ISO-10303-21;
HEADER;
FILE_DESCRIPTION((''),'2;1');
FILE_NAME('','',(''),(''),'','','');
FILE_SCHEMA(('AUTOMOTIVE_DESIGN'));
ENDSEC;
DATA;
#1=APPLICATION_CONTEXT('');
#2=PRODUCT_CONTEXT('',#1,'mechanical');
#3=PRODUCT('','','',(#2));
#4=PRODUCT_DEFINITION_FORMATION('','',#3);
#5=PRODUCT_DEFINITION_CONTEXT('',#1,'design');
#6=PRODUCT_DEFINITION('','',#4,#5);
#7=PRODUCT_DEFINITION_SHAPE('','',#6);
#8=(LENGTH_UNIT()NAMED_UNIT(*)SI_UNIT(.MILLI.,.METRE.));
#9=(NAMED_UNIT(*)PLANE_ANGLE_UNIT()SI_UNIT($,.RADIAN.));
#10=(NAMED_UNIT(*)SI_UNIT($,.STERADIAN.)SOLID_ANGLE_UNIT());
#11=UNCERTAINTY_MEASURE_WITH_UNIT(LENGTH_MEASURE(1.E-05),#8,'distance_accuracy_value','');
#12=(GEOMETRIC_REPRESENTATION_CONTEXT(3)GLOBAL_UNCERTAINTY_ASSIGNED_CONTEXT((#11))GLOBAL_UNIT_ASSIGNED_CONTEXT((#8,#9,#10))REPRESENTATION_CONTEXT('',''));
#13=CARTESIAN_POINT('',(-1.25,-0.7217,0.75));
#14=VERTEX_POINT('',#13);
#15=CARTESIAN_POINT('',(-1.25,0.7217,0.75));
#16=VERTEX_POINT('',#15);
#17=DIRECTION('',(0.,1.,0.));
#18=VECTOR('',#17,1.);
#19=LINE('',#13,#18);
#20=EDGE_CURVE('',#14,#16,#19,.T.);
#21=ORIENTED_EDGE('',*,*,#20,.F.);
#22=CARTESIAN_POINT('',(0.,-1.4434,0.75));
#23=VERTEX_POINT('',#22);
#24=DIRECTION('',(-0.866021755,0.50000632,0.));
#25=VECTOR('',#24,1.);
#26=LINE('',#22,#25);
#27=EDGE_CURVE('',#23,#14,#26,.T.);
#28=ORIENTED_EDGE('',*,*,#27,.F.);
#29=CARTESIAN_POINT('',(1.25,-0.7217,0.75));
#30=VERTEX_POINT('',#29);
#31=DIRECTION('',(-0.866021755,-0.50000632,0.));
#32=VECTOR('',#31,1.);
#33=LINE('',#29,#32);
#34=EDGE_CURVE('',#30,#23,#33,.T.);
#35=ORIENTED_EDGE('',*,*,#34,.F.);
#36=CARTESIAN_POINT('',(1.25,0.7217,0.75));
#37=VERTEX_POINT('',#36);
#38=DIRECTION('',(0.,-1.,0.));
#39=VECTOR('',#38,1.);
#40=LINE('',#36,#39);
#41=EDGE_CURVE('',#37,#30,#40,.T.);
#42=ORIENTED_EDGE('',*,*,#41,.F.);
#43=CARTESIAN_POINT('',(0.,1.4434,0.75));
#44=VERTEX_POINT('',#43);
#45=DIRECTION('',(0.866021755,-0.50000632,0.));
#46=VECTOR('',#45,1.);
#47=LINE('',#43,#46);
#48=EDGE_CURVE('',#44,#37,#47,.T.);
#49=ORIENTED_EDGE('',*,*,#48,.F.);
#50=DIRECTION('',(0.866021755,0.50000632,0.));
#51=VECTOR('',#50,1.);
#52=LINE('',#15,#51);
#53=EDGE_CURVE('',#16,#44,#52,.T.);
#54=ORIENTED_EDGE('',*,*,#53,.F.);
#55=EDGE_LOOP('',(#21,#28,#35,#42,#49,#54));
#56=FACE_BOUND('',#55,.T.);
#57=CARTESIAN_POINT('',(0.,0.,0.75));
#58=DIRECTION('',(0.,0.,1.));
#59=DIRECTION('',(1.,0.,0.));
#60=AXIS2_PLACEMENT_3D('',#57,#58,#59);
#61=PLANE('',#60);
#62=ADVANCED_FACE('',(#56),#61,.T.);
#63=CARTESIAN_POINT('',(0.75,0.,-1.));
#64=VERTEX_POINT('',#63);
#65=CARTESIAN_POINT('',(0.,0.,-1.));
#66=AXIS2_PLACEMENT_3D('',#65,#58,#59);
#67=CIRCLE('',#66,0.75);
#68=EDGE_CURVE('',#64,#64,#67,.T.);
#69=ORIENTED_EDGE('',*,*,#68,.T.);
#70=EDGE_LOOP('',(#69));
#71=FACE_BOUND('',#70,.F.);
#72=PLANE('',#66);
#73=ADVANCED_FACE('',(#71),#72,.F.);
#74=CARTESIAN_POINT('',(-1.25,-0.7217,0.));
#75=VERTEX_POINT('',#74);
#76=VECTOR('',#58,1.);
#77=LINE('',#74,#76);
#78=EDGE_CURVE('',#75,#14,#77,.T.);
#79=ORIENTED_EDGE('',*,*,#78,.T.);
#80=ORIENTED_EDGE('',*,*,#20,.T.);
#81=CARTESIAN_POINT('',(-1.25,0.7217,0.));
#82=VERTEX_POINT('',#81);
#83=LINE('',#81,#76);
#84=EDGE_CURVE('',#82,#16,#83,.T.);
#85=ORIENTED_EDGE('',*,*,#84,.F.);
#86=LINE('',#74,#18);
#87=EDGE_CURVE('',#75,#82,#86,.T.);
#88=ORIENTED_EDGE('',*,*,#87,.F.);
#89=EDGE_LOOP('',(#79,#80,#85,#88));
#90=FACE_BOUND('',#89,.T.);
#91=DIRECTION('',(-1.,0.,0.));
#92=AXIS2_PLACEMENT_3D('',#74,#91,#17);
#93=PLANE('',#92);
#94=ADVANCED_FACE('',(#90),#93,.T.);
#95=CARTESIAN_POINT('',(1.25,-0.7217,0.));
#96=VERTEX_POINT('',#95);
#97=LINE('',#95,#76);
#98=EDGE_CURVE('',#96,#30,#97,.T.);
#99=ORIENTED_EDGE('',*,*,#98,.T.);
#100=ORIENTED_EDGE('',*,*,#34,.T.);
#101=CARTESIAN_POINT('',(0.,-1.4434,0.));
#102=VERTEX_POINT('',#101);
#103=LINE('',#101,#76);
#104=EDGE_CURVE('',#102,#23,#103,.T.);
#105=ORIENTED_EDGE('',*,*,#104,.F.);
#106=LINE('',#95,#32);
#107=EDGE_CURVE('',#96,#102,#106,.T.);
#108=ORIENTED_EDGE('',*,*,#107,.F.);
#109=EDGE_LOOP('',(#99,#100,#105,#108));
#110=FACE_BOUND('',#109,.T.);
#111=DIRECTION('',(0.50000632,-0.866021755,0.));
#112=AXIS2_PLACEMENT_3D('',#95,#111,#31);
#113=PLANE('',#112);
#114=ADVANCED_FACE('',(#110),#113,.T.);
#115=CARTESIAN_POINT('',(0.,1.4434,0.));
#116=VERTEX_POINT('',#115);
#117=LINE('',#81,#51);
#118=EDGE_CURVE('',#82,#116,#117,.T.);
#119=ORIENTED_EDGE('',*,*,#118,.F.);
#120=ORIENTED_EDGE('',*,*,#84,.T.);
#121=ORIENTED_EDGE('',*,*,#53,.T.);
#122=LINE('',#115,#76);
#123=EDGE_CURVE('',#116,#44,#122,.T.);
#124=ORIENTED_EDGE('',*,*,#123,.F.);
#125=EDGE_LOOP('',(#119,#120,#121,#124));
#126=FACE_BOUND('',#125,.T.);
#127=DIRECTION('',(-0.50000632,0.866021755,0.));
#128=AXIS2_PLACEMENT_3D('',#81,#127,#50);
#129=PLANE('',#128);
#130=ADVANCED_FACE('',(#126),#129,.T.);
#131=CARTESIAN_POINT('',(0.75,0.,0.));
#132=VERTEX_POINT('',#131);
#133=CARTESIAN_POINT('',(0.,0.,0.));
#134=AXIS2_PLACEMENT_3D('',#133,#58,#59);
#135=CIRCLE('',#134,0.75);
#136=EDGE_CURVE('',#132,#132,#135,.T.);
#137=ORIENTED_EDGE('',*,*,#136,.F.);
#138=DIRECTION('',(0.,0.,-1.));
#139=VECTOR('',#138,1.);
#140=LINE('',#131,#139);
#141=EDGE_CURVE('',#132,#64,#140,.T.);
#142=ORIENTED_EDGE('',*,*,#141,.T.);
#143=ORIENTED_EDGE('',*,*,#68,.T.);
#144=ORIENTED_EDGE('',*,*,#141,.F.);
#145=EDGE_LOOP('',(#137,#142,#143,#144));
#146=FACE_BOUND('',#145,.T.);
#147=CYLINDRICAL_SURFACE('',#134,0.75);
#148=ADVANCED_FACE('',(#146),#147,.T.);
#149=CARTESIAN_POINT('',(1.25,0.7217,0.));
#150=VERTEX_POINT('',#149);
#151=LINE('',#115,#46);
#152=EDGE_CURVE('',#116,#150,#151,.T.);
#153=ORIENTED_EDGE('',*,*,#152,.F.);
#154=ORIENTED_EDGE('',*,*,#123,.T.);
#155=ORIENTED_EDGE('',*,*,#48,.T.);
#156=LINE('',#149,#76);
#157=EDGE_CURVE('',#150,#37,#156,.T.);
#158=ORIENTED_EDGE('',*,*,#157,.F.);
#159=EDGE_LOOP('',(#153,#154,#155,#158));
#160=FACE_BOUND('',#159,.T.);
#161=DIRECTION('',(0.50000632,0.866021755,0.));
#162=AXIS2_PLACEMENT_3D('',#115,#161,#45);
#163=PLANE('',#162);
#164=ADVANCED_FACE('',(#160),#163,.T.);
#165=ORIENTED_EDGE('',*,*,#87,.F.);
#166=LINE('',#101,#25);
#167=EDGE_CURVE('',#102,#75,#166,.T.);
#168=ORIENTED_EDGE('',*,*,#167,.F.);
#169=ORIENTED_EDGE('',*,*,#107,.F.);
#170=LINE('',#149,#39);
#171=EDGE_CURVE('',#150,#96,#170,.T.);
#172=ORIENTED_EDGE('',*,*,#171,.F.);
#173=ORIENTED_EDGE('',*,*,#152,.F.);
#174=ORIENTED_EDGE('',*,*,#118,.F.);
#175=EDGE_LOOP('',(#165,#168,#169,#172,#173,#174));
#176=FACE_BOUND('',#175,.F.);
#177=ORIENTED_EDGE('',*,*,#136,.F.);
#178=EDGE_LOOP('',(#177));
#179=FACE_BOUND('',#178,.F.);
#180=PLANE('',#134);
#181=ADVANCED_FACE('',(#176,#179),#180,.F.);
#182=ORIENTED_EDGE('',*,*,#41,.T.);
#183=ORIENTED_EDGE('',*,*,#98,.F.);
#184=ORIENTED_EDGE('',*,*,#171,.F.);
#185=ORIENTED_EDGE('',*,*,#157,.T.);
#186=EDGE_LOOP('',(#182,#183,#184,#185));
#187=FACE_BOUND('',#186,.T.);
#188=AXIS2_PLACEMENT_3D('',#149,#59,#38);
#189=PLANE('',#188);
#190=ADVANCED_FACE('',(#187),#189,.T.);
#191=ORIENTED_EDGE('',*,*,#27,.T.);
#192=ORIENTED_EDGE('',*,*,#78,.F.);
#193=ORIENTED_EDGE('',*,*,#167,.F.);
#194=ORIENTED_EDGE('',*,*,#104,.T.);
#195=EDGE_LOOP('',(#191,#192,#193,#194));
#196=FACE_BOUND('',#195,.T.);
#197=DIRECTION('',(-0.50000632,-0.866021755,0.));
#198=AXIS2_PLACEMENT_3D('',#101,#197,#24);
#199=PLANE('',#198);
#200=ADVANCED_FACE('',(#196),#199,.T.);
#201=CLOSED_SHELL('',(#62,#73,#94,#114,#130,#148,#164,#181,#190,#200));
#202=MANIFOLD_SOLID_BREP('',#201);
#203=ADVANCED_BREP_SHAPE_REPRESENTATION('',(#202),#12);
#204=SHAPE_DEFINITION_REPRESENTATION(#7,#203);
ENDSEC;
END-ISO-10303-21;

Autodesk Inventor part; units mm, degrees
ref_plane "YZ Plane" through (0, 0, 0) normal (1, 0, 0) x (0, 1, 0)
ref_plane "XZ Plane" through (0, 0, 0) normal (0, 1, 0) x (-1, 0, 0)
ref_plane "XY Plane" through (0, 0, 0) normal (0, 0, 1) x (1, 0, 0)
ref_plane "Work Plane1" through (0, 0, 0) normal (0, 0, 1) x (1, 0, 0)
sketch "Sketch1" plane through (0, 0, 0) normal (0, 0, 1) x (1, 0, 0)
  line L0 (0, 1.4434) -> (1.25, 0.7217)
  line L1 (1.25, 0.7217) -> (1.25, -0.7217)
  line L2 (1.25, -0.7217) -> (0, -1.4434)
  line L3 (0, -1.4434) -> (-1.25, -0.7217)
  line L4 (-1.25, -0.7217) -> (-1.25, 0.7217)
  line L5 (-1.25, 0.7217) -> (0, 1.4434)
  circle A0 centre (0, 0) radius 0.75
  dimension "d0" = 2.5
  dimension "d1" = 1.5
extrude "Extrusion1" add sketch "Sketch1" against normal blind 1 contours A0
extrude "Extrusion3" add sketch "Sketch1" along normal blind 0.75 contours L0 L1 L2 L3 L4 L5 | A0
properties part number "nail"
